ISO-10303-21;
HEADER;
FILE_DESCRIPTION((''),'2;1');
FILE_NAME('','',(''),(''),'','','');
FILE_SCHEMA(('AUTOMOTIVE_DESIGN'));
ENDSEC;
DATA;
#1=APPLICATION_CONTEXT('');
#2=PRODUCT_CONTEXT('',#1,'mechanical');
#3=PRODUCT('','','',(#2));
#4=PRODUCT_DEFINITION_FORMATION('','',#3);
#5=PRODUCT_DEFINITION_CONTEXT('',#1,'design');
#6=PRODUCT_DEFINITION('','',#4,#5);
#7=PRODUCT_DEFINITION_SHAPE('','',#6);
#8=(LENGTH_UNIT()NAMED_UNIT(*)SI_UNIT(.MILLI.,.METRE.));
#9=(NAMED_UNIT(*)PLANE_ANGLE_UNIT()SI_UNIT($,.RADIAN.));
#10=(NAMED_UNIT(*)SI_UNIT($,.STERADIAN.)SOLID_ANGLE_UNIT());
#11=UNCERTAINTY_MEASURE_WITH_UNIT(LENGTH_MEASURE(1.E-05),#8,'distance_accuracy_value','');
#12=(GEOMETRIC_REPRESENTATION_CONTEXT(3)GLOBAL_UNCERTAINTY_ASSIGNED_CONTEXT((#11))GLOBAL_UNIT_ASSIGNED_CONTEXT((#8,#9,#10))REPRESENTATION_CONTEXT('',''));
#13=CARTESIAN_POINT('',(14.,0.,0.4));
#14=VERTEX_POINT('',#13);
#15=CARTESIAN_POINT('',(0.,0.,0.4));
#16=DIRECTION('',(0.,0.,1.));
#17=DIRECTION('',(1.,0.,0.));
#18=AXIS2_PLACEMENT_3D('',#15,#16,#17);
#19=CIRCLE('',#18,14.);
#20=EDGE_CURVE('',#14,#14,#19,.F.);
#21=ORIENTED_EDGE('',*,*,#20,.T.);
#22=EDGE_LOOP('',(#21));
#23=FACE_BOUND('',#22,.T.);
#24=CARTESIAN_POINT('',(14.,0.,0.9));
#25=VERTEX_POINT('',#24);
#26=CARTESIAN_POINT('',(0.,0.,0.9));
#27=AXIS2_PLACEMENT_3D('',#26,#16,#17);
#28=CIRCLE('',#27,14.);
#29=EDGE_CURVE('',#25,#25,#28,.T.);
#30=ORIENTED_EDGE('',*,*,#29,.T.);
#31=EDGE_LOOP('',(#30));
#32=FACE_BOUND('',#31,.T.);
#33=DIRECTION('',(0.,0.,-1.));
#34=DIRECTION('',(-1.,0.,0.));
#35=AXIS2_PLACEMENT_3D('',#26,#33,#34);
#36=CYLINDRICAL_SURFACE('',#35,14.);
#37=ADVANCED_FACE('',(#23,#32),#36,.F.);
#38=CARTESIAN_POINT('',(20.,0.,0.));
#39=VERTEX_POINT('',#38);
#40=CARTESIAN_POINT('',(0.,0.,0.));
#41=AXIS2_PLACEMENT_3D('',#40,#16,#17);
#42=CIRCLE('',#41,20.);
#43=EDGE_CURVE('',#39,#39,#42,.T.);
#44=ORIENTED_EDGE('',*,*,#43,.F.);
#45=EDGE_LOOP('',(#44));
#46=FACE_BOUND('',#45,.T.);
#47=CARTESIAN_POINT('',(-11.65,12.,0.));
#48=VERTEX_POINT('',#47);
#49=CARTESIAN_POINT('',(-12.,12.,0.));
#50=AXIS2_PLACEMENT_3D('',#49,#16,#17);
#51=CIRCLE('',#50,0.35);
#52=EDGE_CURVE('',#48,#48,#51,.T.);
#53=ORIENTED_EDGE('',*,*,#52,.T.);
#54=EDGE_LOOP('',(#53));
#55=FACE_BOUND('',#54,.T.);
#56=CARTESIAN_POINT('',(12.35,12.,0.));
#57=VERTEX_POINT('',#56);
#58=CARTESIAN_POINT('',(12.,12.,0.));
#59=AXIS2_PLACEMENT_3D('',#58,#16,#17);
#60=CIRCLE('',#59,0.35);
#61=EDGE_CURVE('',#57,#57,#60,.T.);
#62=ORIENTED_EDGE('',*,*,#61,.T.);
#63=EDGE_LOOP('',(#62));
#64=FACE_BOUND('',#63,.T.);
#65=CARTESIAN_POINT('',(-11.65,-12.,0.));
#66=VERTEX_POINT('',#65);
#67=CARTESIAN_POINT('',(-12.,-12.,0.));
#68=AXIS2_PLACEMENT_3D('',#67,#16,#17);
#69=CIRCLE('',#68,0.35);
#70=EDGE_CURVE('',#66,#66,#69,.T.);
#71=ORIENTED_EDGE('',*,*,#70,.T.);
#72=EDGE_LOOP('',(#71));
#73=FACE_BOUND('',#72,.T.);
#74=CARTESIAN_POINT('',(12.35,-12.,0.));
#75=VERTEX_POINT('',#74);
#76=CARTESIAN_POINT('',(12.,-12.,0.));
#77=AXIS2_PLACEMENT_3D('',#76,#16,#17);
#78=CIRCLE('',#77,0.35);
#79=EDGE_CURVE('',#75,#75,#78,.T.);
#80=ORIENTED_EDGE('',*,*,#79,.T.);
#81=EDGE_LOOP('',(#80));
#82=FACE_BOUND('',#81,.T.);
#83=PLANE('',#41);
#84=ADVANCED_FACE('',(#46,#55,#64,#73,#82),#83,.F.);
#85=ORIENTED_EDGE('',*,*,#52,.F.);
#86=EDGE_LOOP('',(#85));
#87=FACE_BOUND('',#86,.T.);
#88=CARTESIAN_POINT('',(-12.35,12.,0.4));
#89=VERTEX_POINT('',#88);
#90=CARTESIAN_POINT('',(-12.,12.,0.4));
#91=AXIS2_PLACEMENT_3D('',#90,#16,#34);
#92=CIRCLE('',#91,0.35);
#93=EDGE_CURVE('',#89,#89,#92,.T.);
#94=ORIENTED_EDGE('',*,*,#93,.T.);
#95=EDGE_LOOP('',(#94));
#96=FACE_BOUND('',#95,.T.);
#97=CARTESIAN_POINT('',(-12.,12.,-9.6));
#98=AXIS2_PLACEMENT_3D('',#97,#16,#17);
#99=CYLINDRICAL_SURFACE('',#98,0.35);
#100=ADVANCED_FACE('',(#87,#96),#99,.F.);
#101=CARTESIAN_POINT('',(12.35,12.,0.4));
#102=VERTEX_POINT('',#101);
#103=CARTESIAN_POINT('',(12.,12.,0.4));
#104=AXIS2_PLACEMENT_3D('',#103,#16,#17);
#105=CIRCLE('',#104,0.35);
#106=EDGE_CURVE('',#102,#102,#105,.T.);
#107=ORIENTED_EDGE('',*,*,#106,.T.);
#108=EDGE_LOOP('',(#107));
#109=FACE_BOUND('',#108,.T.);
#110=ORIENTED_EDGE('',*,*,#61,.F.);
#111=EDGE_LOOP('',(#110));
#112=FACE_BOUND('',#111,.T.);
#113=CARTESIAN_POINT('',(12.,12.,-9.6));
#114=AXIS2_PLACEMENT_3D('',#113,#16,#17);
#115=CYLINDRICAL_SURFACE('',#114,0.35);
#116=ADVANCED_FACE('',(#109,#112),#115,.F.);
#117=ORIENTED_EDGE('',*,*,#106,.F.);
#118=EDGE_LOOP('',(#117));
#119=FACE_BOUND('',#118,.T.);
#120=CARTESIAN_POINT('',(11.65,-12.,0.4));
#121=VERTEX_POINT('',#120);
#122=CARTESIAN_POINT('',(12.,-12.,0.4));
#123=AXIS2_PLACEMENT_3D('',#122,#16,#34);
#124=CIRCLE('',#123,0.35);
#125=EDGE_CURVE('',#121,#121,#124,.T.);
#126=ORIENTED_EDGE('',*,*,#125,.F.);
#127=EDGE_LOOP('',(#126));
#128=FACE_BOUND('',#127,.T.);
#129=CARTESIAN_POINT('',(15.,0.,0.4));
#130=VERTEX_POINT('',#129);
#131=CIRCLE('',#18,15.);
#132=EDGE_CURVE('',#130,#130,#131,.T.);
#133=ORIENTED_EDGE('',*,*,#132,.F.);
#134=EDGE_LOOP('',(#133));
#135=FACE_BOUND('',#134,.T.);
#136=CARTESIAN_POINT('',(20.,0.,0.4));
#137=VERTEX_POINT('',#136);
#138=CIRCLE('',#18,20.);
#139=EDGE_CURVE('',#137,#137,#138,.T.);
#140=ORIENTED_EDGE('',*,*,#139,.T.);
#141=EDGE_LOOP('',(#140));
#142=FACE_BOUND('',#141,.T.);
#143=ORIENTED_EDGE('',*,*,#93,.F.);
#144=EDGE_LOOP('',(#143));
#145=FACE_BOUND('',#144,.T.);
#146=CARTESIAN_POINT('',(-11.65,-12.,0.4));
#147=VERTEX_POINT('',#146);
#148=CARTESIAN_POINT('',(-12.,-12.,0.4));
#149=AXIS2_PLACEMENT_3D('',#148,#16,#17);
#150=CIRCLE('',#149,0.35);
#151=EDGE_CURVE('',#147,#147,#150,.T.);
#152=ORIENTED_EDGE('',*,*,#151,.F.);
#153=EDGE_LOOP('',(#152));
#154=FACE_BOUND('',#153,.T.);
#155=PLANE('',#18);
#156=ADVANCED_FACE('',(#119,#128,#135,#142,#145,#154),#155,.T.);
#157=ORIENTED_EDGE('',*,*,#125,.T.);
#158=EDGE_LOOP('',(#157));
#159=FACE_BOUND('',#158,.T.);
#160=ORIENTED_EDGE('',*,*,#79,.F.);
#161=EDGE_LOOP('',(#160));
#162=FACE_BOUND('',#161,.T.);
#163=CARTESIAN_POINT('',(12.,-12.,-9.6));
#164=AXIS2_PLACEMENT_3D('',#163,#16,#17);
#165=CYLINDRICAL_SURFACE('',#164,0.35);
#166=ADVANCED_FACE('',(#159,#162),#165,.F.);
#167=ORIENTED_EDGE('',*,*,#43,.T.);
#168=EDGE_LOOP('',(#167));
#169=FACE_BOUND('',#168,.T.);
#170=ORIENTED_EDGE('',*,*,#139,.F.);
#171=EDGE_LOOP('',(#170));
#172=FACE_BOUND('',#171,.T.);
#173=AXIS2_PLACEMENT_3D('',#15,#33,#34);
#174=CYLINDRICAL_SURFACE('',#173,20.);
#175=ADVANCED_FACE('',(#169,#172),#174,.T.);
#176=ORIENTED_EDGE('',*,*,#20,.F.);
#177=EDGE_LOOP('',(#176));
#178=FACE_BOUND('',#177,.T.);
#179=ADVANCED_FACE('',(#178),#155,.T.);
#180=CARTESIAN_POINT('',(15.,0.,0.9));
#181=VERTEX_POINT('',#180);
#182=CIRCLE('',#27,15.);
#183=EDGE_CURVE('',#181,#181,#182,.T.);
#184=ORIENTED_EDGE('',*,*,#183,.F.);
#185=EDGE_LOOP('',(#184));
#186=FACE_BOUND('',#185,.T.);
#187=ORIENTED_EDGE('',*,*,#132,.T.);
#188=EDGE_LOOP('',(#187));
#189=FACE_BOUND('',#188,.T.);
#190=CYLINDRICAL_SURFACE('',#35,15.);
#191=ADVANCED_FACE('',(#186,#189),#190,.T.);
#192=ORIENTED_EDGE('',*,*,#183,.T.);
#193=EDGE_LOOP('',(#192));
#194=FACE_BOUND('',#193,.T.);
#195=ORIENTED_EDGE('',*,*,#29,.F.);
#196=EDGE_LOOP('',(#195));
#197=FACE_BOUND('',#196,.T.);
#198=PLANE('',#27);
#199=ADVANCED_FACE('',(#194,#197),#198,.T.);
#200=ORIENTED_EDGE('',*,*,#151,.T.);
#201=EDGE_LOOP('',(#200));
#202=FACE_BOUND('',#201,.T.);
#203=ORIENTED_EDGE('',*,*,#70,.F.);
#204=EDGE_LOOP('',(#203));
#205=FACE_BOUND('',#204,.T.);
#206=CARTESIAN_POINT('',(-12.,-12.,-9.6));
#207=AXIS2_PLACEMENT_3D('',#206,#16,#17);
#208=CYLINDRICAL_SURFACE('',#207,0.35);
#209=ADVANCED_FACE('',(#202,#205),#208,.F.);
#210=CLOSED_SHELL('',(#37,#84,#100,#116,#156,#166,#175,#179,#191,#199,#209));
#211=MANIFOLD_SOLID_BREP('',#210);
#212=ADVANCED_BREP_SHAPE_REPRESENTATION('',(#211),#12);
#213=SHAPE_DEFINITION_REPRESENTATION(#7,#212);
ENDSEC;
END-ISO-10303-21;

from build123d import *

# Parameters (mm, degrees)
CROQUIS1_R              = 20
SALIENTE_EXTRUIR1_DEPTH = 0.4
CROQUIS3_R              = 0.35
CORTAR_EXTRUIR1_DEPTH   = 10
CROQUIS2_R              = 15
CROQUIS2_R_2            = 14
SALIENTE_EXTRUIR2_DEPTH = 0.5


with BuildPart() as part:
    # Croquis1 → Saliente-Extruir1 (new body)
    with BuildSketch(Plane.XY):
        Circle(CROQUIS1_R)
    extrude(amount=SALIENTE_EXTRUIR1_DEPTH)

    # Croquis3 → Cortar-Extruir1 (cut)
    with BuildSketch(Plane.XY.offset(0.4)):
        with Locations((12, 12)):
            Circle(CROQUIS3_R)
        with Locations((-12, 12)):
            Circle(CROQUIS3_R)
        with Locations((12, -12)):
            Circle(CROQUIS3_R)
        with Locations((-12, -12)):
            Circle(CROQUIS3_R)
    extrude(amount=-CORTAR_EXTRUIR1_DEPTH, mode=Mode.SUBTRACT)

    # Croquis2 → Saliente-Extruir2 (add)
    with BuildSketch(Plane.XY.offset(0.4)):
        Circle(CROQUIS2_R)
        Circle(CROQUIS2_R_2, mode=Mode.SUBTRACT)
    extrude(amount=SALIENTE_EXTRUIR2_DEPTH)


solid = part.part
